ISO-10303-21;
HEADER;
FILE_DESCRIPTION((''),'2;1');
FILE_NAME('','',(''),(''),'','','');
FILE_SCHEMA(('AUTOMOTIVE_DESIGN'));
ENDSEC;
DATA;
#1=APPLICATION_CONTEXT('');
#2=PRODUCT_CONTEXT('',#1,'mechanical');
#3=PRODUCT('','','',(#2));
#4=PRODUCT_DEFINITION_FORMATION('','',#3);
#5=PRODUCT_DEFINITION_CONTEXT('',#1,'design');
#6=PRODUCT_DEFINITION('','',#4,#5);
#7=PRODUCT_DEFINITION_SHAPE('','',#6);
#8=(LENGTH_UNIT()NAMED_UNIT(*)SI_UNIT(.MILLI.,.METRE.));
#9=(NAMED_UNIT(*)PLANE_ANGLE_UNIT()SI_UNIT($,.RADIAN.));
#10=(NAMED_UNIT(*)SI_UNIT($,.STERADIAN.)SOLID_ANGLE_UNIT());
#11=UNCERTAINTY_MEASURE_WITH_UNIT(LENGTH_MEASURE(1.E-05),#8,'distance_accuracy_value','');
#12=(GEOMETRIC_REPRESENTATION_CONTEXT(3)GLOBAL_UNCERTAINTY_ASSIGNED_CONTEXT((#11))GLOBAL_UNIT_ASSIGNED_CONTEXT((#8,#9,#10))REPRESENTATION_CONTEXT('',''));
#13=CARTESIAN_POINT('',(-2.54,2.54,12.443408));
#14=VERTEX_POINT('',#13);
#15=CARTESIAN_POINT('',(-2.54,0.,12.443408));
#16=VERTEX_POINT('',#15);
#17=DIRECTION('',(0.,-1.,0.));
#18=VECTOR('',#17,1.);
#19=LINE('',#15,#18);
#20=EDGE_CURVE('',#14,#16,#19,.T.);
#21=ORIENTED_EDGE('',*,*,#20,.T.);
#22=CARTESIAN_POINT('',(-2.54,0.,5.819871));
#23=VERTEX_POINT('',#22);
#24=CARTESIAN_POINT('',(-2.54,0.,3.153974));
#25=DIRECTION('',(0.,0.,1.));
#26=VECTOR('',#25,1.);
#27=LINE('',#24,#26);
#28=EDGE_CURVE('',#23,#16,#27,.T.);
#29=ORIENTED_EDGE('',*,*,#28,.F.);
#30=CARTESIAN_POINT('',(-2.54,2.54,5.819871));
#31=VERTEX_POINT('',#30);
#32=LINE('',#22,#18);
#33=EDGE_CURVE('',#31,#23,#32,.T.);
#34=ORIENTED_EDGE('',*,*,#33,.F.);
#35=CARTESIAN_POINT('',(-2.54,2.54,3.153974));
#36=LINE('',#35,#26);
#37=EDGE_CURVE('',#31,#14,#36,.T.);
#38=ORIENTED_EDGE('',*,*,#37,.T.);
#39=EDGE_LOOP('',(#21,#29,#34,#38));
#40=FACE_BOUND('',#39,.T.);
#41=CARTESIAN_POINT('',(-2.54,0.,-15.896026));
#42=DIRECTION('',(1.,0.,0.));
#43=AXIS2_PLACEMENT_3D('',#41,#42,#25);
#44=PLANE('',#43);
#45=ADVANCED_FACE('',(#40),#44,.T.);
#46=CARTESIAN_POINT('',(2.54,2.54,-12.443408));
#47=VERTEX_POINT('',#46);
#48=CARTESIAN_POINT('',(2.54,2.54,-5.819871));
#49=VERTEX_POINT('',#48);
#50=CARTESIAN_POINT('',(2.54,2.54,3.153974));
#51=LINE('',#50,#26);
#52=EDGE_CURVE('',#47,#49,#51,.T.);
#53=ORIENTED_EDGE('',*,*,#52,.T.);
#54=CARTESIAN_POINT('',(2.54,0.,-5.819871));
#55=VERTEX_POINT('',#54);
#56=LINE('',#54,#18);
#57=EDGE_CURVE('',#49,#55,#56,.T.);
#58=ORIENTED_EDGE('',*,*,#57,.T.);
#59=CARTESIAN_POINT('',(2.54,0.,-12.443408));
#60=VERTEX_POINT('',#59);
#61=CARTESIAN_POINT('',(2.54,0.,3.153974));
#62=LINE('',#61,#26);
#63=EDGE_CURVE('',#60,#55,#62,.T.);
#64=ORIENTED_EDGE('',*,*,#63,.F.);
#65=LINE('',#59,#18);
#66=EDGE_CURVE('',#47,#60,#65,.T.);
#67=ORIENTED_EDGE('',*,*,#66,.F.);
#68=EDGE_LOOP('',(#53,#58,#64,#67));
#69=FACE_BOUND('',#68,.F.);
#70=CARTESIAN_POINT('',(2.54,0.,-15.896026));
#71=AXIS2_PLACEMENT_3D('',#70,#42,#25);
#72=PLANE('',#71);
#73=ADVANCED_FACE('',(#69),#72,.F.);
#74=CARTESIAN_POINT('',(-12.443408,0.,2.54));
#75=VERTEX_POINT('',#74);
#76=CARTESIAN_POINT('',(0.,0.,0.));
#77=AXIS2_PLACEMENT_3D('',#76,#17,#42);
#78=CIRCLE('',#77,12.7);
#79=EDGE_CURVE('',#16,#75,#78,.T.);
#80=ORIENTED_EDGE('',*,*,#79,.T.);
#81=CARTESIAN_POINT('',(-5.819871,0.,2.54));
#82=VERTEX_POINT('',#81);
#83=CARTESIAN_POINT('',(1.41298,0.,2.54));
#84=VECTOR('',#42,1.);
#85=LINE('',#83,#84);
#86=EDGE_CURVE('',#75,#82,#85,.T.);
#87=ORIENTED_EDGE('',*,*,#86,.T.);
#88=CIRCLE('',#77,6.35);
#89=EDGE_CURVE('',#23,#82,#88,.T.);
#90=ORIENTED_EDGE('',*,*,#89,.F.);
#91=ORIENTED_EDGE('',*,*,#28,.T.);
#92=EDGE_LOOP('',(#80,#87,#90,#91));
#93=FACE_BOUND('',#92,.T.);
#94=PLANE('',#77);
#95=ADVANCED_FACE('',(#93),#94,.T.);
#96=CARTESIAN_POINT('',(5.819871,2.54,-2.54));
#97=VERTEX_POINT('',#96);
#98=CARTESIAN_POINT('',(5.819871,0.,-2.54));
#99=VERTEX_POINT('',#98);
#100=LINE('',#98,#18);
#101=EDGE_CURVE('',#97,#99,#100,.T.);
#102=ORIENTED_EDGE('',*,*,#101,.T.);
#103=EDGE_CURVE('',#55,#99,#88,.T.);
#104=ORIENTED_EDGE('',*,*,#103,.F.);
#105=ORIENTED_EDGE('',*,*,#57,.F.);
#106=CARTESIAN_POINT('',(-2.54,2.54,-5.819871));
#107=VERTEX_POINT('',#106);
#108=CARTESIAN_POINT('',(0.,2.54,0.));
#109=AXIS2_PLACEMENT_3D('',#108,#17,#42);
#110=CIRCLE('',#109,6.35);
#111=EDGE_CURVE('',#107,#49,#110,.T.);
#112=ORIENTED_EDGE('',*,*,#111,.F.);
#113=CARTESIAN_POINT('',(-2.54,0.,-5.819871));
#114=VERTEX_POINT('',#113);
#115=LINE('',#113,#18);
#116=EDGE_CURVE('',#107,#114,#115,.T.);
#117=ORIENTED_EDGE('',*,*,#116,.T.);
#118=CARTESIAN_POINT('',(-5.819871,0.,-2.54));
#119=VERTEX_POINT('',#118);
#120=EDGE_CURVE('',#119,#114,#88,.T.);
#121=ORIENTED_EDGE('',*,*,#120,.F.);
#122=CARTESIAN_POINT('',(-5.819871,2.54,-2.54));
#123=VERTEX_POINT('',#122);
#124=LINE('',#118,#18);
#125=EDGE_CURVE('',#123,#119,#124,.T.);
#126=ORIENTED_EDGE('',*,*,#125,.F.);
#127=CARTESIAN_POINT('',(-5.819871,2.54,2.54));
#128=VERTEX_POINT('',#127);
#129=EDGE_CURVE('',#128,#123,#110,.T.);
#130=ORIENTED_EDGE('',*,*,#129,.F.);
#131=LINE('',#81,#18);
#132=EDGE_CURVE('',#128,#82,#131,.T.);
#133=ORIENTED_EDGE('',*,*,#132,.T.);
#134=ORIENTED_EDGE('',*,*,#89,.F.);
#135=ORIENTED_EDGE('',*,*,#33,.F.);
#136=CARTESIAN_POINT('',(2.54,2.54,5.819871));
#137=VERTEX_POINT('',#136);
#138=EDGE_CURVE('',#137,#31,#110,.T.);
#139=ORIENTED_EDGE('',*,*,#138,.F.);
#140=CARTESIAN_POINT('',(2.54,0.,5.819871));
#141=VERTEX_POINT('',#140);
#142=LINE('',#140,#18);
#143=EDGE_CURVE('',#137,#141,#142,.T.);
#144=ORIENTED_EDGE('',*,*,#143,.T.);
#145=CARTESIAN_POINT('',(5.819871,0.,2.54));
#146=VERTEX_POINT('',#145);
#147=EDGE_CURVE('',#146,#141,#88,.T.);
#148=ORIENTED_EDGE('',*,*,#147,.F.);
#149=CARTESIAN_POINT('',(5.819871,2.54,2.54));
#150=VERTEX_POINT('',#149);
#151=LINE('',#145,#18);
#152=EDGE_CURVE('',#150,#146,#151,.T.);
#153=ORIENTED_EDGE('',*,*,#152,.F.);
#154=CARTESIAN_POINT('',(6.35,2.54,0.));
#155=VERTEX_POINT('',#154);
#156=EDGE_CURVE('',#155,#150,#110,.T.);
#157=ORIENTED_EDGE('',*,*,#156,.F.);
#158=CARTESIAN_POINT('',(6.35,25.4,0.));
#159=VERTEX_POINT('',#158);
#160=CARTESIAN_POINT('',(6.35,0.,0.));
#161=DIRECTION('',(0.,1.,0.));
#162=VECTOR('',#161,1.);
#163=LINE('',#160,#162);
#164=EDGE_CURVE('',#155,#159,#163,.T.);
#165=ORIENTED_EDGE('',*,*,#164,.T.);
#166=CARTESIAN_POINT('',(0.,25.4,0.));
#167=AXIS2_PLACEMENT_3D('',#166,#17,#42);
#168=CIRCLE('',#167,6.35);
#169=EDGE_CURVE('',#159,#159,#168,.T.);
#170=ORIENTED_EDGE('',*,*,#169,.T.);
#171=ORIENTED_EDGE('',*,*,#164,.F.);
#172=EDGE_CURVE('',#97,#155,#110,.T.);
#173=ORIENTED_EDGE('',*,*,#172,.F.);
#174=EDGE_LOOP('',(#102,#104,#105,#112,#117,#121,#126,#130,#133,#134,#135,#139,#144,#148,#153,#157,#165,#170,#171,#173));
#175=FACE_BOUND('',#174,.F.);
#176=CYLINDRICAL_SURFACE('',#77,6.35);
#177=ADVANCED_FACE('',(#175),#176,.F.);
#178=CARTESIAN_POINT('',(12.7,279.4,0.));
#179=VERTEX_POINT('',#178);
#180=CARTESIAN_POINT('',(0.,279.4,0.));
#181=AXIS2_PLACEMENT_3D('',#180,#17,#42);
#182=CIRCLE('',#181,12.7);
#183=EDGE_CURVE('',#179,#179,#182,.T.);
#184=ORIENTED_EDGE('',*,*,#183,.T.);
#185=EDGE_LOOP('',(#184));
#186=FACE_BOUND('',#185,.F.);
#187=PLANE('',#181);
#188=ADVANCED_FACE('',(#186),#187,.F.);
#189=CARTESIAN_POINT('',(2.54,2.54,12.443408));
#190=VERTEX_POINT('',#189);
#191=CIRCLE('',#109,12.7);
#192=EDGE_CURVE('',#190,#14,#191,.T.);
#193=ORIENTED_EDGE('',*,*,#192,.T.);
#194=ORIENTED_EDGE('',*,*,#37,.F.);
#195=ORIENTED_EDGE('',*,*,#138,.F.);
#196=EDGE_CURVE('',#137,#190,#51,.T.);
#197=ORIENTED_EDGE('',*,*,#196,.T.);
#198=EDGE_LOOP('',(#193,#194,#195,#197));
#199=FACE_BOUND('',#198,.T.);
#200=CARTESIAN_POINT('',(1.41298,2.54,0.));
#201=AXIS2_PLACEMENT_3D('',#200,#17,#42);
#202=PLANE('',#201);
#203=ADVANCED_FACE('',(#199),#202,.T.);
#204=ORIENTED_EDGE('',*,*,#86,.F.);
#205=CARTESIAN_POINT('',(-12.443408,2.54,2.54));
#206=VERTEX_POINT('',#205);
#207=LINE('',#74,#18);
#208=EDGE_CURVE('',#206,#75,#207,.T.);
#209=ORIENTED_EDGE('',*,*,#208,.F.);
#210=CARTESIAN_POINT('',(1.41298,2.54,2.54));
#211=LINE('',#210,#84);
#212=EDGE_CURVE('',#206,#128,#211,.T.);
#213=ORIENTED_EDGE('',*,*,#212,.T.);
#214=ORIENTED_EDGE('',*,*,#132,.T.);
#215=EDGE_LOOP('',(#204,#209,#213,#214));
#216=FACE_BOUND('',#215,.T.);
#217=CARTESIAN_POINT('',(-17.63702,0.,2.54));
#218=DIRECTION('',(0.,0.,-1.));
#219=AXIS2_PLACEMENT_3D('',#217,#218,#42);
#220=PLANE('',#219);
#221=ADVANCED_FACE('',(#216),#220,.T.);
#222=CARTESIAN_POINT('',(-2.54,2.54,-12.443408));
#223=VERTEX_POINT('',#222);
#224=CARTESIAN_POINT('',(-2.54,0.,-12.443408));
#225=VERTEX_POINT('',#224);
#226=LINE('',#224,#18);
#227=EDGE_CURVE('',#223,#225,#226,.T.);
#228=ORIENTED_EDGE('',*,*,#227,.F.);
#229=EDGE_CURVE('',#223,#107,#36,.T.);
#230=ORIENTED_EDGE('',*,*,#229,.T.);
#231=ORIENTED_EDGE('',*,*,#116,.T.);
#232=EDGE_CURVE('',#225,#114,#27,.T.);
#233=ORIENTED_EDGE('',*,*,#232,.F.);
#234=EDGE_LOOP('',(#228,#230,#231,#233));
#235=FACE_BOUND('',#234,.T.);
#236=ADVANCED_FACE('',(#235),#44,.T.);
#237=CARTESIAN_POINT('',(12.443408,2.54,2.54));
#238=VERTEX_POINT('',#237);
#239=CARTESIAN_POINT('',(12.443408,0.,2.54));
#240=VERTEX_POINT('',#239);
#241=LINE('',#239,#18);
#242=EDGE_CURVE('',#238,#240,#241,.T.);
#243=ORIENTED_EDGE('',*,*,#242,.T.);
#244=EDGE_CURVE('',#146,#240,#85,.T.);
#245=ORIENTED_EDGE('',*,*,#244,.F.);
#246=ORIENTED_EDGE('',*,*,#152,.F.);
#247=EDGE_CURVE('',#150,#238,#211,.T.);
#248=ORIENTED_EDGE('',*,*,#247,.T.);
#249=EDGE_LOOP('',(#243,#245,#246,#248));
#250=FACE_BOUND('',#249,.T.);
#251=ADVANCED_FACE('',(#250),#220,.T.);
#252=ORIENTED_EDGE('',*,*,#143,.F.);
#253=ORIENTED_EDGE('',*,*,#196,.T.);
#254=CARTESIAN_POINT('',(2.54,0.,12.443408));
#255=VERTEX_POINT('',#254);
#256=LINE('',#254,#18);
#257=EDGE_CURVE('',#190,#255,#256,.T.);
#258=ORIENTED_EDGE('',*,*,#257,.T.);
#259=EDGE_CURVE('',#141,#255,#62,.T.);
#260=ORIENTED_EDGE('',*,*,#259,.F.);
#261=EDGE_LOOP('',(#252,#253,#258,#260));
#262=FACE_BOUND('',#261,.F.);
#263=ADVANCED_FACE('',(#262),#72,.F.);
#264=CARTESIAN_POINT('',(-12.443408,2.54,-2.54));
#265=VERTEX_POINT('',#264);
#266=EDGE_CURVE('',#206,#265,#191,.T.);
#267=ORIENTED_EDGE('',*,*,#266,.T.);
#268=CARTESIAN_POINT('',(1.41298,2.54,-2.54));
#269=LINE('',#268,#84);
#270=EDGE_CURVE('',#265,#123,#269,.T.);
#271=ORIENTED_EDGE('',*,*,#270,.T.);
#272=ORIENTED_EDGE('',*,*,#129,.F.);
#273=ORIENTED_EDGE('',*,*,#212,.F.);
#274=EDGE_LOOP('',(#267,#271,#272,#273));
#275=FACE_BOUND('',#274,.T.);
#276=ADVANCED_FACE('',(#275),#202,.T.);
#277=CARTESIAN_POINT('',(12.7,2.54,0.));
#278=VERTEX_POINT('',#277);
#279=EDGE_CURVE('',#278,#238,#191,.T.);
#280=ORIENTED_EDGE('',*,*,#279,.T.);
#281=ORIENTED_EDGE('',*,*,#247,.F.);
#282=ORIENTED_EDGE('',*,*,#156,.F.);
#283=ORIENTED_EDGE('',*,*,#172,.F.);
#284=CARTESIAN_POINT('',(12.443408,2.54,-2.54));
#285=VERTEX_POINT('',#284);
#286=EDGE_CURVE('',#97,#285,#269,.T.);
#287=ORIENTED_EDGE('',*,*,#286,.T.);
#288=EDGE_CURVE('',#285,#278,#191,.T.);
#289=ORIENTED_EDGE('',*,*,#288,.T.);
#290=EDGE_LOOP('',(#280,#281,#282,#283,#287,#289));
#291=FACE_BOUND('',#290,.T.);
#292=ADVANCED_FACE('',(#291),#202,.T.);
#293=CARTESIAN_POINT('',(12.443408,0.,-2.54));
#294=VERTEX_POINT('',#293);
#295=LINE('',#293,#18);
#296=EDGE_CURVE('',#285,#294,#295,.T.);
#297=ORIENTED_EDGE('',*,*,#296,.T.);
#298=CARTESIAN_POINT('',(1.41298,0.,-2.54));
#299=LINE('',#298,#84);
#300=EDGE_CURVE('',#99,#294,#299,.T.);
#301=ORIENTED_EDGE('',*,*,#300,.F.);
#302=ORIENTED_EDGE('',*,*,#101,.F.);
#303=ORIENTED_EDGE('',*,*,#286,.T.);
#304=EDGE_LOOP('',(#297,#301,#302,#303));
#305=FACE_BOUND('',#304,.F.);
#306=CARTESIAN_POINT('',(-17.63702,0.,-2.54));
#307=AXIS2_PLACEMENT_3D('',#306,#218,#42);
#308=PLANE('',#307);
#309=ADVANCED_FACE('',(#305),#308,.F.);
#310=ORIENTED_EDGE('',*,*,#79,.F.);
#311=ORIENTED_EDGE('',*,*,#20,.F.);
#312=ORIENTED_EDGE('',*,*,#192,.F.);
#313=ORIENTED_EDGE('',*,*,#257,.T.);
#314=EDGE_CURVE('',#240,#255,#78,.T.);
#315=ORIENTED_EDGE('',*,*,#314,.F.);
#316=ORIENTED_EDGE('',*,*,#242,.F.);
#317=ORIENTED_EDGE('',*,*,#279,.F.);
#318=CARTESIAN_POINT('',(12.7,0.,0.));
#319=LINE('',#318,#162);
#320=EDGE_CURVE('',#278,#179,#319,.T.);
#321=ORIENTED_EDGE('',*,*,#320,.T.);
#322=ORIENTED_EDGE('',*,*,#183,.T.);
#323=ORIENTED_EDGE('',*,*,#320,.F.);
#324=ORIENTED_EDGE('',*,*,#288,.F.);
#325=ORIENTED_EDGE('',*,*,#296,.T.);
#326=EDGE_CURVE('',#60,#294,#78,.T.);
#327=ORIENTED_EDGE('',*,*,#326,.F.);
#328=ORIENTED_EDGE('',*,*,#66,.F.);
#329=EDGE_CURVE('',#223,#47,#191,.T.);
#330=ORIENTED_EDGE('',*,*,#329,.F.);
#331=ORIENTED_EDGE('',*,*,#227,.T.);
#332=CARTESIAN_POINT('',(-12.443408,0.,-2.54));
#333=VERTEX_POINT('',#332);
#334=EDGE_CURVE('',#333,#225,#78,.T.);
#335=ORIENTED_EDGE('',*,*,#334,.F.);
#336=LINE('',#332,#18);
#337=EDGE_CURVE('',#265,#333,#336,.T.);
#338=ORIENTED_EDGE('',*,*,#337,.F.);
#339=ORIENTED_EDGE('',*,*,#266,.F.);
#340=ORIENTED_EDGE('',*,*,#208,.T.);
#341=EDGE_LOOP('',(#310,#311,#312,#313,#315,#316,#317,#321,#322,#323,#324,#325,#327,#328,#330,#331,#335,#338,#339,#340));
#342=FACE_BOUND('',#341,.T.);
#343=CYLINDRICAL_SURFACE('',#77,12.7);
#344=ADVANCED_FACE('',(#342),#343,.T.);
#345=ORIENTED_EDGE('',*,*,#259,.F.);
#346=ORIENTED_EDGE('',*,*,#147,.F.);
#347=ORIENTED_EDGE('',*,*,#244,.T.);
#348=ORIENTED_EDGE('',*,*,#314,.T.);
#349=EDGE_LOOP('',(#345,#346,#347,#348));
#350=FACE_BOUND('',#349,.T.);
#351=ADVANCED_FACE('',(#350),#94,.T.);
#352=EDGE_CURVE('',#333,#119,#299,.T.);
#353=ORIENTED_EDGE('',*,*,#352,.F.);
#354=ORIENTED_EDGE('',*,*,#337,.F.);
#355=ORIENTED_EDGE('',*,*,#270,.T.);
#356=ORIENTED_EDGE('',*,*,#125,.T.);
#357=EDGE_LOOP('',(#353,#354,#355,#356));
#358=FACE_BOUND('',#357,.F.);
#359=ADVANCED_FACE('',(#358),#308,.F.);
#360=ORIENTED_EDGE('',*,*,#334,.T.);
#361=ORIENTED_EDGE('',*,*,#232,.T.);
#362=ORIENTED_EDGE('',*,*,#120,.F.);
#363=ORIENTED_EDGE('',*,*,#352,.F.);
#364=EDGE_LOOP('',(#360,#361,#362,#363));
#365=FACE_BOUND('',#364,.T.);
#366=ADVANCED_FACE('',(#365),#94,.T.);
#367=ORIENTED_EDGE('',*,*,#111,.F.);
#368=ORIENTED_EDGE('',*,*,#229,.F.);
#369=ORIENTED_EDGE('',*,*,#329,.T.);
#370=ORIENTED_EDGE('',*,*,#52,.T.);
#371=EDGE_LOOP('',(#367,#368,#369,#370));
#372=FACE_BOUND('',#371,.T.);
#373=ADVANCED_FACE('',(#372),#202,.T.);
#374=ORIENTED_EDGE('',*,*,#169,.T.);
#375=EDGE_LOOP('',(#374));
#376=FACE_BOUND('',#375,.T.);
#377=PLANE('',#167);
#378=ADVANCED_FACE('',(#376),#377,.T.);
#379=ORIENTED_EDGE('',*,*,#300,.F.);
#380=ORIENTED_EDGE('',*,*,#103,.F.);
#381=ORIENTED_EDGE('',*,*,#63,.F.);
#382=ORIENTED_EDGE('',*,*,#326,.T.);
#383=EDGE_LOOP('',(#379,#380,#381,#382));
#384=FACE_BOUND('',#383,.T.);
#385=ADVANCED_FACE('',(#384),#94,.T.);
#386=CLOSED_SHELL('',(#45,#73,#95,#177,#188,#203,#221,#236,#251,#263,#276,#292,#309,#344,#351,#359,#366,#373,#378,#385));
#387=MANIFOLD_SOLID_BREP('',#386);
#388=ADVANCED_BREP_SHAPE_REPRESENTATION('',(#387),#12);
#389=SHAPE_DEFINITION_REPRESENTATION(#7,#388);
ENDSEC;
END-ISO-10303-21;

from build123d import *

# Parameters (mm, degrees)
F0_R     = 12.7
F1_DEPTH = 279.4
F2_W     = 38.1
F2_H     = 5.08
F3_DEPTH = 2.54
F4_W     = 5.08
F4_H     = 38.1
F5_DEPTH = 2.54
F6_R     = 6.35
F7_DEPTH = 25.4


with BuildPart() as f1:
    # F0 (on Front) → F1 (new body)
    with BuildSketch(Plane.XZ):
        Circle(F0_R)
    extrude(amount=-F1_DEPTH)

    # F2 (on face) → F3 (cut)
    with BuildSketch(Plane.XZ):
        with Locations((1.41298, 0)):
            Rectangle(F2_W, F2_H)
    extrude(amount=-F3_DEPTH, mode=Mode.SUBTRACT)

    # F4 (on face) → F5 (cut)
    with BuildSketch(Plane.XZ):
        with Locations((0, 3.153974)):
            Rectangle(F4_W, F4_H)
    extrude(amount=-F5_DEPTH, mode=Mode.SUBTRACT)

    # F6 (on face) → F7 (cut)
    with BuildSketch(Plane.XZ):
        Circle(F6_R)
    extrude(amount=-F7_DEPTH, mode=Mode.SUBTRACT)


solid = f1.part
